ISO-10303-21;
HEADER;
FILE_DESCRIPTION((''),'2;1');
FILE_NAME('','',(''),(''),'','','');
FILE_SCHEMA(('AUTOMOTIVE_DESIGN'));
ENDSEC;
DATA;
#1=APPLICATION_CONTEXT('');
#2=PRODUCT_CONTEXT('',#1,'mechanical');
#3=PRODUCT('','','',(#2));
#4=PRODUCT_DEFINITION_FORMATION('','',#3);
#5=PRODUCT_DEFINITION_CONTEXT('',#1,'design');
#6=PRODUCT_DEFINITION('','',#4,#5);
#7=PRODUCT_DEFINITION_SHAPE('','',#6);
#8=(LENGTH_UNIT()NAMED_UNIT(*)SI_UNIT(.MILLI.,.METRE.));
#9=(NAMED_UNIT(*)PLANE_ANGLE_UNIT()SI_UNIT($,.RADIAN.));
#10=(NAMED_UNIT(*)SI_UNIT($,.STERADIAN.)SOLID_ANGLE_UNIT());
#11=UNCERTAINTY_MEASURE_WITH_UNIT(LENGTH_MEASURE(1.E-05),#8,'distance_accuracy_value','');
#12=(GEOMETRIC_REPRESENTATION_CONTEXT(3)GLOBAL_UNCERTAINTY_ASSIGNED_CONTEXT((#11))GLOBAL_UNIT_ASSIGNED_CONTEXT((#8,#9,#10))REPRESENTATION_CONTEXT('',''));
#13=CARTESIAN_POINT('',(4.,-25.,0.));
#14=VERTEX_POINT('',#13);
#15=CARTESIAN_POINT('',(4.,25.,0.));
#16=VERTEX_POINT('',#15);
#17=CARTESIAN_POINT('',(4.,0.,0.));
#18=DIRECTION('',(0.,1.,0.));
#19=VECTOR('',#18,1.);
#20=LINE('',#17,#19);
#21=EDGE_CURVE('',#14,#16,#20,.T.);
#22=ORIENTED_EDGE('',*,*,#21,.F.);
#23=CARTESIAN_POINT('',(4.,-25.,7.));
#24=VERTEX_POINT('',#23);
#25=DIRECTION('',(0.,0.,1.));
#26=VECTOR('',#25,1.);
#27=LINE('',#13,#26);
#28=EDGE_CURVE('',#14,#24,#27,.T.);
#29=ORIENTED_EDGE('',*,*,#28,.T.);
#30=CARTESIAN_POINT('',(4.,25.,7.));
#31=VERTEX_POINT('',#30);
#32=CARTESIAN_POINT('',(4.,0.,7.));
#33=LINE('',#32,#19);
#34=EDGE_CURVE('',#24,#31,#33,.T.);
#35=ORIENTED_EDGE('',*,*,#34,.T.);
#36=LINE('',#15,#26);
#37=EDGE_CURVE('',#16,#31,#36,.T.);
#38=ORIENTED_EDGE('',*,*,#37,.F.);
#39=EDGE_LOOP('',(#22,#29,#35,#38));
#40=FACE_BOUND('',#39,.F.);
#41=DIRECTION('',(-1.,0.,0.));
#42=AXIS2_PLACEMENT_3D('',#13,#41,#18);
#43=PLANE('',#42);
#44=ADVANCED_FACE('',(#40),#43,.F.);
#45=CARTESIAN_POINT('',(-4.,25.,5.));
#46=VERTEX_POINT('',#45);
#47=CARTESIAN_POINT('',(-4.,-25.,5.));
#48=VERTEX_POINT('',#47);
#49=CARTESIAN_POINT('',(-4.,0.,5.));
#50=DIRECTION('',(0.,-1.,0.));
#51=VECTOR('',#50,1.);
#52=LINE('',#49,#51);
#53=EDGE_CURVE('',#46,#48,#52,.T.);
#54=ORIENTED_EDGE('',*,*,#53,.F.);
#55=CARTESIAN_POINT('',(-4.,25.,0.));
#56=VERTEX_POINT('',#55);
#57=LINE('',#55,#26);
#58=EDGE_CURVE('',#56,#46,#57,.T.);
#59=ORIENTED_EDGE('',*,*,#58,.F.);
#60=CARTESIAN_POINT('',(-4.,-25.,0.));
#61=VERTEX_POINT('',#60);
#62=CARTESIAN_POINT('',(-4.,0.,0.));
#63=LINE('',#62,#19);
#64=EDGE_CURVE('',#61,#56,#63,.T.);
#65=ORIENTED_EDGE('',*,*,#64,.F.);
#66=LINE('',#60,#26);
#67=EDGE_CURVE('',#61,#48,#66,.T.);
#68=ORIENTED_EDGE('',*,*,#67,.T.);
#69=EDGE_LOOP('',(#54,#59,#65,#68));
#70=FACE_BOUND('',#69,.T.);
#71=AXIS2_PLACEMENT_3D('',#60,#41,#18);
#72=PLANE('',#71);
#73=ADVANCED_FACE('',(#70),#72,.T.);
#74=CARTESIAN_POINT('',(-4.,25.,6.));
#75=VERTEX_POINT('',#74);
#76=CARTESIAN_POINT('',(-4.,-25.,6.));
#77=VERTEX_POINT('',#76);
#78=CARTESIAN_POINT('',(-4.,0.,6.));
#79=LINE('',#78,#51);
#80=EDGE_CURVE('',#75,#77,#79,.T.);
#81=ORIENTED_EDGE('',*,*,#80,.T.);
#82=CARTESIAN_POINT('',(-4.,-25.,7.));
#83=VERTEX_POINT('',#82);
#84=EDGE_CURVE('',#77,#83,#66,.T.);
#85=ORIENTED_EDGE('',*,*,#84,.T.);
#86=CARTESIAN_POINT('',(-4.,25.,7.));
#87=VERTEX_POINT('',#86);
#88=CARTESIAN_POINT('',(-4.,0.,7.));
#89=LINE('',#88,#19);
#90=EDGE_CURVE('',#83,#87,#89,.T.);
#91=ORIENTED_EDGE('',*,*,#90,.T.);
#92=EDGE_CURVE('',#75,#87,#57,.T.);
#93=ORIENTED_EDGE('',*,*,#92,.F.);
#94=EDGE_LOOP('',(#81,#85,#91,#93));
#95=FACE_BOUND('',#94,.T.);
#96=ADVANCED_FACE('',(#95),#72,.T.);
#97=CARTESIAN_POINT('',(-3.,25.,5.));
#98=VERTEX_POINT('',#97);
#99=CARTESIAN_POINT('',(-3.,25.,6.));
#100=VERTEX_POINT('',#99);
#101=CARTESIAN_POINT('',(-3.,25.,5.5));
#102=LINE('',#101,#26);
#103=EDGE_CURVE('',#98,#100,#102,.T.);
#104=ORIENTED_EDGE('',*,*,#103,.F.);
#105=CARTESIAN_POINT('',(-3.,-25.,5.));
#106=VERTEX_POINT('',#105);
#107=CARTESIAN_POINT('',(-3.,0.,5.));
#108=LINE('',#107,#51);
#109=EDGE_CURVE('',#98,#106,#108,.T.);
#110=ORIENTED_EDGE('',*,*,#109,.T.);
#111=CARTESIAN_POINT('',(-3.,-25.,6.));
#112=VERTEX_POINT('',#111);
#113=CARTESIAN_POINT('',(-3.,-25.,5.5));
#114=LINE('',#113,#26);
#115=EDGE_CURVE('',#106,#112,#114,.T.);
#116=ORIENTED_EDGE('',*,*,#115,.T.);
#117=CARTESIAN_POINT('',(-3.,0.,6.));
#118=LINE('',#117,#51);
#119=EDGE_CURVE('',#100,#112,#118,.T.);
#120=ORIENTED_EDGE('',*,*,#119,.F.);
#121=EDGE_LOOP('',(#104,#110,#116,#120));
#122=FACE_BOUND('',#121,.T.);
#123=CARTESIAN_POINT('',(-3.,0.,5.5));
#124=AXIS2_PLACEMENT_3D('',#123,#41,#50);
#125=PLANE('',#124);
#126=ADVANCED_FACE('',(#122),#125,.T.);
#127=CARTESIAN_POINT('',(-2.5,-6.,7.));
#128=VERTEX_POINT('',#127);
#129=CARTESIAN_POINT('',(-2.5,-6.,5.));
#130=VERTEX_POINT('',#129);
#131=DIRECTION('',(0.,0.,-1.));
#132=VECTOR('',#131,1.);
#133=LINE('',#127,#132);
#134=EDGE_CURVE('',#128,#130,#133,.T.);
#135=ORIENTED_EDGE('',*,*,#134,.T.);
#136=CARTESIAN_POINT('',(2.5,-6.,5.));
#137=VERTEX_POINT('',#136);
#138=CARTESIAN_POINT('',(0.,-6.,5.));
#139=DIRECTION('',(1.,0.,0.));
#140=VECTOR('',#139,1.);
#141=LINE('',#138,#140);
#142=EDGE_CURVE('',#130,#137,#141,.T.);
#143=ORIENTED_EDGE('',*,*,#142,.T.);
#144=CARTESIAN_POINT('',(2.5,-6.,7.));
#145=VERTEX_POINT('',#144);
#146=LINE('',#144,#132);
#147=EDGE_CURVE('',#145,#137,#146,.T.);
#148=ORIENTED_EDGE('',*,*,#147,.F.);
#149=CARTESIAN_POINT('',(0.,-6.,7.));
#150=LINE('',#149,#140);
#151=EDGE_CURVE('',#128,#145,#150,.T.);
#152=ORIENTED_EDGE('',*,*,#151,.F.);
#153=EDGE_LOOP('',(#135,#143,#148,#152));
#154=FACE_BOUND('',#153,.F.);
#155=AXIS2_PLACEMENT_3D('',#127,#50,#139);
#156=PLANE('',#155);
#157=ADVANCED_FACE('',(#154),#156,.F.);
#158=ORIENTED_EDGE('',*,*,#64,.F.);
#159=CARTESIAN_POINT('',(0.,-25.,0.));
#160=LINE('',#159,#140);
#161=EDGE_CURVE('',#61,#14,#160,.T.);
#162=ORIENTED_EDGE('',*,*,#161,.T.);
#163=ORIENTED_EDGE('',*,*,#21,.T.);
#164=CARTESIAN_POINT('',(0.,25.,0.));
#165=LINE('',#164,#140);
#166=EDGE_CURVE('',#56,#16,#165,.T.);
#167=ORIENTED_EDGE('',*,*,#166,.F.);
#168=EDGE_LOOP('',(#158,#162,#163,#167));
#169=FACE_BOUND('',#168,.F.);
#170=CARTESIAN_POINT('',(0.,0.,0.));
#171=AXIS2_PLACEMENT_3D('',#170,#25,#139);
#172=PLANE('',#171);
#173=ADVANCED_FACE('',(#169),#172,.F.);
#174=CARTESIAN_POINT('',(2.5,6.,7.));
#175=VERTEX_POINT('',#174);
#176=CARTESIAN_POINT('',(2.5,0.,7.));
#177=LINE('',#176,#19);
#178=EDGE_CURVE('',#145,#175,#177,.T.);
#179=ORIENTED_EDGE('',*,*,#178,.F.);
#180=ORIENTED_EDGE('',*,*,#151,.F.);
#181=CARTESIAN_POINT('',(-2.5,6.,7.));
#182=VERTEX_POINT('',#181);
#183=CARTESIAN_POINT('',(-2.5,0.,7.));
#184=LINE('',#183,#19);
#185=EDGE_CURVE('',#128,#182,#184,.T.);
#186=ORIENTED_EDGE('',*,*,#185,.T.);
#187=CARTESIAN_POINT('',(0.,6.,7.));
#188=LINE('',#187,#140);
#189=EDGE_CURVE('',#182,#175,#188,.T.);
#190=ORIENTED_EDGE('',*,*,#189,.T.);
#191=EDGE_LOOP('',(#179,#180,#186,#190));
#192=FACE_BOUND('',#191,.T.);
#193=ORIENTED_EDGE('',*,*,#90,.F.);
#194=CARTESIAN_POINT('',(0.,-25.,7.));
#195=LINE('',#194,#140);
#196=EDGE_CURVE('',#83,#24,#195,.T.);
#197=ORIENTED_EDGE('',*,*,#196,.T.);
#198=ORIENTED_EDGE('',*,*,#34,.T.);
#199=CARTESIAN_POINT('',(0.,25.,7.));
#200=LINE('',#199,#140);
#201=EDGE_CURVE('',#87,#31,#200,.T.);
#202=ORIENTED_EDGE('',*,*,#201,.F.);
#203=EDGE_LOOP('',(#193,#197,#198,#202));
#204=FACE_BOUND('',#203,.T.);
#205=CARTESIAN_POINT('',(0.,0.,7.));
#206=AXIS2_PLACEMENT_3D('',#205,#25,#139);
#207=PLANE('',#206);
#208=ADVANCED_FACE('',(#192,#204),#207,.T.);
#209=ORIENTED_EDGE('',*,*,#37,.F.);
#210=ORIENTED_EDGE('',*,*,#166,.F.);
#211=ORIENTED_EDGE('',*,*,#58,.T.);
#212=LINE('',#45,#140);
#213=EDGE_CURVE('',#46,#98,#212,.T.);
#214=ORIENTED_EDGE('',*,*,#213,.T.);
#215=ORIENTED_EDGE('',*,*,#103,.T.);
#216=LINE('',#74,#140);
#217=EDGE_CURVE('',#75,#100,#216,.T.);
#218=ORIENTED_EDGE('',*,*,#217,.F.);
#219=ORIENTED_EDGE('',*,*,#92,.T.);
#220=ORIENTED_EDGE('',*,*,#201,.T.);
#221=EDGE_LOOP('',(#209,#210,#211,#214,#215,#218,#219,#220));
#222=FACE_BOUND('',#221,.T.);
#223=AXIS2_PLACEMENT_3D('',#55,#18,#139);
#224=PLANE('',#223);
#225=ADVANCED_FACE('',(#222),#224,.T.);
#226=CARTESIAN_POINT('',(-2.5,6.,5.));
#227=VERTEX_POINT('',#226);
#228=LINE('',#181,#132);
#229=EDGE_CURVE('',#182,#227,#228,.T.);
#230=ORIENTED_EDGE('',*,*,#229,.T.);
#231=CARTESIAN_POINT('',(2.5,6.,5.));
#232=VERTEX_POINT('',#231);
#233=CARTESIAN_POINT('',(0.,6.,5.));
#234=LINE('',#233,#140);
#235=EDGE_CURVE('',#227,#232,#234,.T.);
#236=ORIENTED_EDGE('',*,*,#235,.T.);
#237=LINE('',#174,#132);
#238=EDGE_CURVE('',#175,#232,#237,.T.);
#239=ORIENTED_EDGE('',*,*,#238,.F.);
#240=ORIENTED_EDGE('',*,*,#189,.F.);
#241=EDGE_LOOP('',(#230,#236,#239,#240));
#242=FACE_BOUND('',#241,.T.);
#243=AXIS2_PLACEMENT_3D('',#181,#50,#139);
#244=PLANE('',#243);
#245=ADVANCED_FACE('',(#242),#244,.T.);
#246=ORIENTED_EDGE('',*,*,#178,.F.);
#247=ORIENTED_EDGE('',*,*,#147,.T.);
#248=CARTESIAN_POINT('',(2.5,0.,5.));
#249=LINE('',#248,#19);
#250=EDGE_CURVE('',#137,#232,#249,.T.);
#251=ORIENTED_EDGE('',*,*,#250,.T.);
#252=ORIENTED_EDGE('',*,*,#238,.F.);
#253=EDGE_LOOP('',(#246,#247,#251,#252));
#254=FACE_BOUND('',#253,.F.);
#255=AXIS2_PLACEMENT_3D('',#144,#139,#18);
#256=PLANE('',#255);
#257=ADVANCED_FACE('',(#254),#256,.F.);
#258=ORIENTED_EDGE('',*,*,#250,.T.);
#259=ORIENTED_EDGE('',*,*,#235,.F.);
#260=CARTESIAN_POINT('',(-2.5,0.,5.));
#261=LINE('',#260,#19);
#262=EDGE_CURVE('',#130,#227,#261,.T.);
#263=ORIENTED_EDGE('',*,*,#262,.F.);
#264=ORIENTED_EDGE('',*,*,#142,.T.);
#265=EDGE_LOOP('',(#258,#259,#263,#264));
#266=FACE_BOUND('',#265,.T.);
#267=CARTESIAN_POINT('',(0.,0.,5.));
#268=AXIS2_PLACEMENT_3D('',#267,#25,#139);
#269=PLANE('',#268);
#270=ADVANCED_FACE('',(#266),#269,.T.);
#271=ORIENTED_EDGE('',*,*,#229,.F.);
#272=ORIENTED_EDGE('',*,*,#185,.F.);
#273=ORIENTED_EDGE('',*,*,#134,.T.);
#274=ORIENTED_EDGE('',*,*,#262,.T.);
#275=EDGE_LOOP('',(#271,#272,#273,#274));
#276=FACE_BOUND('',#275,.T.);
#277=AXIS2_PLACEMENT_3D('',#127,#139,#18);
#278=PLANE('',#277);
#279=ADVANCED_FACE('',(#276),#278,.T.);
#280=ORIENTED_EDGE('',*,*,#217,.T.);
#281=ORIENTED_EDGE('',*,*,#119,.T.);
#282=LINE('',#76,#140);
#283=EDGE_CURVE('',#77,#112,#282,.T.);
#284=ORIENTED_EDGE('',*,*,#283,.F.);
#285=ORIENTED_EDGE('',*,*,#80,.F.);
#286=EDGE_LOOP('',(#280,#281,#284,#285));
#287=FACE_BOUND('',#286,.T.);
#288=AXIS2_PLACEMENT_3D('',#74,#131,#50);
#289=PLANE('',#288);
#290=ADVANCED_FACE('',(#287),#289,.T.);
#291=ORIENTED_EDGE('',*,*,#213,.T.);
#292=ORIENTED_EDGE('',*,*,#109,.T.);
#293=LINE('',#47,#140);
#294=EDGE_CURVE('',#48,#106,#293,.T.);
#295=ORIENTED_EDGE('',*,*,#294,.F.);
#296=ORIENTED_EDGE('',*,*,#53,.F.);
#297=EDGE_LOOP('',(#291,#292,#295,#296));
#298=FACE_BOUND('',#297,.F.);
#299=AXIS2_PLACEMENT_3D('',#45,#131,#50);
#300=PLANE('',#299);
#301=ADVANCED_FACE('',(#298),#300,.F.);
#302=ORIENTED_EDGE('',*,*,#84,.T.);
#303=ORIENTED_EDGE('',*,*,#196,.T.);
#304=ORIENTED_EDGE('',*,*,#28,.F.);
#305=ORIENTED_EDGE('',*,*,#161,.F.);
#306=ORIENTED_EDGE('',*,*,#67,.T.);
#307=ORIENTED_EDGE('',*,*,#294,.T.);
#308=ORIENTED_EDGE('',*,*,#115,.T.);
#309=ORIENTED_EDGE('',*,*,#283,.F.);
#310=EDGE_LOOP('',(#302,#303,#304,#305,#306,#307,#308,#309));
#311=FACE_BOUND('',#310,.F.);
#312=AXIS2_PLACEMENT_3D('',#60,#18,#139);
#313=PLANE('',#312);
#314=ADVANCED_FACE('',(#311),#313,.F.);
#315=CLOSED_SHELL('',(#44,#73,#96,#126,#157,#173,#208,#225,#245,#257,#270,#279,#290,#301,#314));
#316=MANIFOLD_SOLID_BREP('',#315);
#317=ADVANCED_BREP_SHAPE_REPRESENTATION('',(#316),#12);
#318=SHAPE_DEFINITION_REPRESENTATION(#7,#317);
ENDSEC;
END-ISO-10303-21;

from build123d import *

# Parameters (mm, degrees)
F0_W     = 8
F0_H     = 50
F1_DEPTH = 7
F2_W     = 50
F2_H     = 1
F3_DEPTH = 1
F4_W     = 5
F4_H     = 12
F5_DEPTH = 2


with BuildPart() as f1:
    # F0 (on Top) → F1 (new body)
    with BuildSketch(Plane.XY):
        Rectangle(F0_W, F0_H)
    extrude(amount=F1_DEPTH)

    # F2 (on face) → F3 (cut)
    with BuildSketch(Plane(origin=(-4, 0, 0), x_dir=(0, -1, 0), z_dir=(-1, 0, 0))):
        with Locations((0, 5.5)):
            Rectangle(F2_W, F2_H)
    extrude(amount=-F3_DEPTH, mode=Mode.SUBTRACT)

    # F4 (on face) → F5 (cut)
    with BuildSketch(Plane.XY.offset(7)):
        Rectangle(F4_W, F4_H)
    extrude(amount=-F5_DEPTH, mode=Mode.SUBTRACT)


solid = f1.part
